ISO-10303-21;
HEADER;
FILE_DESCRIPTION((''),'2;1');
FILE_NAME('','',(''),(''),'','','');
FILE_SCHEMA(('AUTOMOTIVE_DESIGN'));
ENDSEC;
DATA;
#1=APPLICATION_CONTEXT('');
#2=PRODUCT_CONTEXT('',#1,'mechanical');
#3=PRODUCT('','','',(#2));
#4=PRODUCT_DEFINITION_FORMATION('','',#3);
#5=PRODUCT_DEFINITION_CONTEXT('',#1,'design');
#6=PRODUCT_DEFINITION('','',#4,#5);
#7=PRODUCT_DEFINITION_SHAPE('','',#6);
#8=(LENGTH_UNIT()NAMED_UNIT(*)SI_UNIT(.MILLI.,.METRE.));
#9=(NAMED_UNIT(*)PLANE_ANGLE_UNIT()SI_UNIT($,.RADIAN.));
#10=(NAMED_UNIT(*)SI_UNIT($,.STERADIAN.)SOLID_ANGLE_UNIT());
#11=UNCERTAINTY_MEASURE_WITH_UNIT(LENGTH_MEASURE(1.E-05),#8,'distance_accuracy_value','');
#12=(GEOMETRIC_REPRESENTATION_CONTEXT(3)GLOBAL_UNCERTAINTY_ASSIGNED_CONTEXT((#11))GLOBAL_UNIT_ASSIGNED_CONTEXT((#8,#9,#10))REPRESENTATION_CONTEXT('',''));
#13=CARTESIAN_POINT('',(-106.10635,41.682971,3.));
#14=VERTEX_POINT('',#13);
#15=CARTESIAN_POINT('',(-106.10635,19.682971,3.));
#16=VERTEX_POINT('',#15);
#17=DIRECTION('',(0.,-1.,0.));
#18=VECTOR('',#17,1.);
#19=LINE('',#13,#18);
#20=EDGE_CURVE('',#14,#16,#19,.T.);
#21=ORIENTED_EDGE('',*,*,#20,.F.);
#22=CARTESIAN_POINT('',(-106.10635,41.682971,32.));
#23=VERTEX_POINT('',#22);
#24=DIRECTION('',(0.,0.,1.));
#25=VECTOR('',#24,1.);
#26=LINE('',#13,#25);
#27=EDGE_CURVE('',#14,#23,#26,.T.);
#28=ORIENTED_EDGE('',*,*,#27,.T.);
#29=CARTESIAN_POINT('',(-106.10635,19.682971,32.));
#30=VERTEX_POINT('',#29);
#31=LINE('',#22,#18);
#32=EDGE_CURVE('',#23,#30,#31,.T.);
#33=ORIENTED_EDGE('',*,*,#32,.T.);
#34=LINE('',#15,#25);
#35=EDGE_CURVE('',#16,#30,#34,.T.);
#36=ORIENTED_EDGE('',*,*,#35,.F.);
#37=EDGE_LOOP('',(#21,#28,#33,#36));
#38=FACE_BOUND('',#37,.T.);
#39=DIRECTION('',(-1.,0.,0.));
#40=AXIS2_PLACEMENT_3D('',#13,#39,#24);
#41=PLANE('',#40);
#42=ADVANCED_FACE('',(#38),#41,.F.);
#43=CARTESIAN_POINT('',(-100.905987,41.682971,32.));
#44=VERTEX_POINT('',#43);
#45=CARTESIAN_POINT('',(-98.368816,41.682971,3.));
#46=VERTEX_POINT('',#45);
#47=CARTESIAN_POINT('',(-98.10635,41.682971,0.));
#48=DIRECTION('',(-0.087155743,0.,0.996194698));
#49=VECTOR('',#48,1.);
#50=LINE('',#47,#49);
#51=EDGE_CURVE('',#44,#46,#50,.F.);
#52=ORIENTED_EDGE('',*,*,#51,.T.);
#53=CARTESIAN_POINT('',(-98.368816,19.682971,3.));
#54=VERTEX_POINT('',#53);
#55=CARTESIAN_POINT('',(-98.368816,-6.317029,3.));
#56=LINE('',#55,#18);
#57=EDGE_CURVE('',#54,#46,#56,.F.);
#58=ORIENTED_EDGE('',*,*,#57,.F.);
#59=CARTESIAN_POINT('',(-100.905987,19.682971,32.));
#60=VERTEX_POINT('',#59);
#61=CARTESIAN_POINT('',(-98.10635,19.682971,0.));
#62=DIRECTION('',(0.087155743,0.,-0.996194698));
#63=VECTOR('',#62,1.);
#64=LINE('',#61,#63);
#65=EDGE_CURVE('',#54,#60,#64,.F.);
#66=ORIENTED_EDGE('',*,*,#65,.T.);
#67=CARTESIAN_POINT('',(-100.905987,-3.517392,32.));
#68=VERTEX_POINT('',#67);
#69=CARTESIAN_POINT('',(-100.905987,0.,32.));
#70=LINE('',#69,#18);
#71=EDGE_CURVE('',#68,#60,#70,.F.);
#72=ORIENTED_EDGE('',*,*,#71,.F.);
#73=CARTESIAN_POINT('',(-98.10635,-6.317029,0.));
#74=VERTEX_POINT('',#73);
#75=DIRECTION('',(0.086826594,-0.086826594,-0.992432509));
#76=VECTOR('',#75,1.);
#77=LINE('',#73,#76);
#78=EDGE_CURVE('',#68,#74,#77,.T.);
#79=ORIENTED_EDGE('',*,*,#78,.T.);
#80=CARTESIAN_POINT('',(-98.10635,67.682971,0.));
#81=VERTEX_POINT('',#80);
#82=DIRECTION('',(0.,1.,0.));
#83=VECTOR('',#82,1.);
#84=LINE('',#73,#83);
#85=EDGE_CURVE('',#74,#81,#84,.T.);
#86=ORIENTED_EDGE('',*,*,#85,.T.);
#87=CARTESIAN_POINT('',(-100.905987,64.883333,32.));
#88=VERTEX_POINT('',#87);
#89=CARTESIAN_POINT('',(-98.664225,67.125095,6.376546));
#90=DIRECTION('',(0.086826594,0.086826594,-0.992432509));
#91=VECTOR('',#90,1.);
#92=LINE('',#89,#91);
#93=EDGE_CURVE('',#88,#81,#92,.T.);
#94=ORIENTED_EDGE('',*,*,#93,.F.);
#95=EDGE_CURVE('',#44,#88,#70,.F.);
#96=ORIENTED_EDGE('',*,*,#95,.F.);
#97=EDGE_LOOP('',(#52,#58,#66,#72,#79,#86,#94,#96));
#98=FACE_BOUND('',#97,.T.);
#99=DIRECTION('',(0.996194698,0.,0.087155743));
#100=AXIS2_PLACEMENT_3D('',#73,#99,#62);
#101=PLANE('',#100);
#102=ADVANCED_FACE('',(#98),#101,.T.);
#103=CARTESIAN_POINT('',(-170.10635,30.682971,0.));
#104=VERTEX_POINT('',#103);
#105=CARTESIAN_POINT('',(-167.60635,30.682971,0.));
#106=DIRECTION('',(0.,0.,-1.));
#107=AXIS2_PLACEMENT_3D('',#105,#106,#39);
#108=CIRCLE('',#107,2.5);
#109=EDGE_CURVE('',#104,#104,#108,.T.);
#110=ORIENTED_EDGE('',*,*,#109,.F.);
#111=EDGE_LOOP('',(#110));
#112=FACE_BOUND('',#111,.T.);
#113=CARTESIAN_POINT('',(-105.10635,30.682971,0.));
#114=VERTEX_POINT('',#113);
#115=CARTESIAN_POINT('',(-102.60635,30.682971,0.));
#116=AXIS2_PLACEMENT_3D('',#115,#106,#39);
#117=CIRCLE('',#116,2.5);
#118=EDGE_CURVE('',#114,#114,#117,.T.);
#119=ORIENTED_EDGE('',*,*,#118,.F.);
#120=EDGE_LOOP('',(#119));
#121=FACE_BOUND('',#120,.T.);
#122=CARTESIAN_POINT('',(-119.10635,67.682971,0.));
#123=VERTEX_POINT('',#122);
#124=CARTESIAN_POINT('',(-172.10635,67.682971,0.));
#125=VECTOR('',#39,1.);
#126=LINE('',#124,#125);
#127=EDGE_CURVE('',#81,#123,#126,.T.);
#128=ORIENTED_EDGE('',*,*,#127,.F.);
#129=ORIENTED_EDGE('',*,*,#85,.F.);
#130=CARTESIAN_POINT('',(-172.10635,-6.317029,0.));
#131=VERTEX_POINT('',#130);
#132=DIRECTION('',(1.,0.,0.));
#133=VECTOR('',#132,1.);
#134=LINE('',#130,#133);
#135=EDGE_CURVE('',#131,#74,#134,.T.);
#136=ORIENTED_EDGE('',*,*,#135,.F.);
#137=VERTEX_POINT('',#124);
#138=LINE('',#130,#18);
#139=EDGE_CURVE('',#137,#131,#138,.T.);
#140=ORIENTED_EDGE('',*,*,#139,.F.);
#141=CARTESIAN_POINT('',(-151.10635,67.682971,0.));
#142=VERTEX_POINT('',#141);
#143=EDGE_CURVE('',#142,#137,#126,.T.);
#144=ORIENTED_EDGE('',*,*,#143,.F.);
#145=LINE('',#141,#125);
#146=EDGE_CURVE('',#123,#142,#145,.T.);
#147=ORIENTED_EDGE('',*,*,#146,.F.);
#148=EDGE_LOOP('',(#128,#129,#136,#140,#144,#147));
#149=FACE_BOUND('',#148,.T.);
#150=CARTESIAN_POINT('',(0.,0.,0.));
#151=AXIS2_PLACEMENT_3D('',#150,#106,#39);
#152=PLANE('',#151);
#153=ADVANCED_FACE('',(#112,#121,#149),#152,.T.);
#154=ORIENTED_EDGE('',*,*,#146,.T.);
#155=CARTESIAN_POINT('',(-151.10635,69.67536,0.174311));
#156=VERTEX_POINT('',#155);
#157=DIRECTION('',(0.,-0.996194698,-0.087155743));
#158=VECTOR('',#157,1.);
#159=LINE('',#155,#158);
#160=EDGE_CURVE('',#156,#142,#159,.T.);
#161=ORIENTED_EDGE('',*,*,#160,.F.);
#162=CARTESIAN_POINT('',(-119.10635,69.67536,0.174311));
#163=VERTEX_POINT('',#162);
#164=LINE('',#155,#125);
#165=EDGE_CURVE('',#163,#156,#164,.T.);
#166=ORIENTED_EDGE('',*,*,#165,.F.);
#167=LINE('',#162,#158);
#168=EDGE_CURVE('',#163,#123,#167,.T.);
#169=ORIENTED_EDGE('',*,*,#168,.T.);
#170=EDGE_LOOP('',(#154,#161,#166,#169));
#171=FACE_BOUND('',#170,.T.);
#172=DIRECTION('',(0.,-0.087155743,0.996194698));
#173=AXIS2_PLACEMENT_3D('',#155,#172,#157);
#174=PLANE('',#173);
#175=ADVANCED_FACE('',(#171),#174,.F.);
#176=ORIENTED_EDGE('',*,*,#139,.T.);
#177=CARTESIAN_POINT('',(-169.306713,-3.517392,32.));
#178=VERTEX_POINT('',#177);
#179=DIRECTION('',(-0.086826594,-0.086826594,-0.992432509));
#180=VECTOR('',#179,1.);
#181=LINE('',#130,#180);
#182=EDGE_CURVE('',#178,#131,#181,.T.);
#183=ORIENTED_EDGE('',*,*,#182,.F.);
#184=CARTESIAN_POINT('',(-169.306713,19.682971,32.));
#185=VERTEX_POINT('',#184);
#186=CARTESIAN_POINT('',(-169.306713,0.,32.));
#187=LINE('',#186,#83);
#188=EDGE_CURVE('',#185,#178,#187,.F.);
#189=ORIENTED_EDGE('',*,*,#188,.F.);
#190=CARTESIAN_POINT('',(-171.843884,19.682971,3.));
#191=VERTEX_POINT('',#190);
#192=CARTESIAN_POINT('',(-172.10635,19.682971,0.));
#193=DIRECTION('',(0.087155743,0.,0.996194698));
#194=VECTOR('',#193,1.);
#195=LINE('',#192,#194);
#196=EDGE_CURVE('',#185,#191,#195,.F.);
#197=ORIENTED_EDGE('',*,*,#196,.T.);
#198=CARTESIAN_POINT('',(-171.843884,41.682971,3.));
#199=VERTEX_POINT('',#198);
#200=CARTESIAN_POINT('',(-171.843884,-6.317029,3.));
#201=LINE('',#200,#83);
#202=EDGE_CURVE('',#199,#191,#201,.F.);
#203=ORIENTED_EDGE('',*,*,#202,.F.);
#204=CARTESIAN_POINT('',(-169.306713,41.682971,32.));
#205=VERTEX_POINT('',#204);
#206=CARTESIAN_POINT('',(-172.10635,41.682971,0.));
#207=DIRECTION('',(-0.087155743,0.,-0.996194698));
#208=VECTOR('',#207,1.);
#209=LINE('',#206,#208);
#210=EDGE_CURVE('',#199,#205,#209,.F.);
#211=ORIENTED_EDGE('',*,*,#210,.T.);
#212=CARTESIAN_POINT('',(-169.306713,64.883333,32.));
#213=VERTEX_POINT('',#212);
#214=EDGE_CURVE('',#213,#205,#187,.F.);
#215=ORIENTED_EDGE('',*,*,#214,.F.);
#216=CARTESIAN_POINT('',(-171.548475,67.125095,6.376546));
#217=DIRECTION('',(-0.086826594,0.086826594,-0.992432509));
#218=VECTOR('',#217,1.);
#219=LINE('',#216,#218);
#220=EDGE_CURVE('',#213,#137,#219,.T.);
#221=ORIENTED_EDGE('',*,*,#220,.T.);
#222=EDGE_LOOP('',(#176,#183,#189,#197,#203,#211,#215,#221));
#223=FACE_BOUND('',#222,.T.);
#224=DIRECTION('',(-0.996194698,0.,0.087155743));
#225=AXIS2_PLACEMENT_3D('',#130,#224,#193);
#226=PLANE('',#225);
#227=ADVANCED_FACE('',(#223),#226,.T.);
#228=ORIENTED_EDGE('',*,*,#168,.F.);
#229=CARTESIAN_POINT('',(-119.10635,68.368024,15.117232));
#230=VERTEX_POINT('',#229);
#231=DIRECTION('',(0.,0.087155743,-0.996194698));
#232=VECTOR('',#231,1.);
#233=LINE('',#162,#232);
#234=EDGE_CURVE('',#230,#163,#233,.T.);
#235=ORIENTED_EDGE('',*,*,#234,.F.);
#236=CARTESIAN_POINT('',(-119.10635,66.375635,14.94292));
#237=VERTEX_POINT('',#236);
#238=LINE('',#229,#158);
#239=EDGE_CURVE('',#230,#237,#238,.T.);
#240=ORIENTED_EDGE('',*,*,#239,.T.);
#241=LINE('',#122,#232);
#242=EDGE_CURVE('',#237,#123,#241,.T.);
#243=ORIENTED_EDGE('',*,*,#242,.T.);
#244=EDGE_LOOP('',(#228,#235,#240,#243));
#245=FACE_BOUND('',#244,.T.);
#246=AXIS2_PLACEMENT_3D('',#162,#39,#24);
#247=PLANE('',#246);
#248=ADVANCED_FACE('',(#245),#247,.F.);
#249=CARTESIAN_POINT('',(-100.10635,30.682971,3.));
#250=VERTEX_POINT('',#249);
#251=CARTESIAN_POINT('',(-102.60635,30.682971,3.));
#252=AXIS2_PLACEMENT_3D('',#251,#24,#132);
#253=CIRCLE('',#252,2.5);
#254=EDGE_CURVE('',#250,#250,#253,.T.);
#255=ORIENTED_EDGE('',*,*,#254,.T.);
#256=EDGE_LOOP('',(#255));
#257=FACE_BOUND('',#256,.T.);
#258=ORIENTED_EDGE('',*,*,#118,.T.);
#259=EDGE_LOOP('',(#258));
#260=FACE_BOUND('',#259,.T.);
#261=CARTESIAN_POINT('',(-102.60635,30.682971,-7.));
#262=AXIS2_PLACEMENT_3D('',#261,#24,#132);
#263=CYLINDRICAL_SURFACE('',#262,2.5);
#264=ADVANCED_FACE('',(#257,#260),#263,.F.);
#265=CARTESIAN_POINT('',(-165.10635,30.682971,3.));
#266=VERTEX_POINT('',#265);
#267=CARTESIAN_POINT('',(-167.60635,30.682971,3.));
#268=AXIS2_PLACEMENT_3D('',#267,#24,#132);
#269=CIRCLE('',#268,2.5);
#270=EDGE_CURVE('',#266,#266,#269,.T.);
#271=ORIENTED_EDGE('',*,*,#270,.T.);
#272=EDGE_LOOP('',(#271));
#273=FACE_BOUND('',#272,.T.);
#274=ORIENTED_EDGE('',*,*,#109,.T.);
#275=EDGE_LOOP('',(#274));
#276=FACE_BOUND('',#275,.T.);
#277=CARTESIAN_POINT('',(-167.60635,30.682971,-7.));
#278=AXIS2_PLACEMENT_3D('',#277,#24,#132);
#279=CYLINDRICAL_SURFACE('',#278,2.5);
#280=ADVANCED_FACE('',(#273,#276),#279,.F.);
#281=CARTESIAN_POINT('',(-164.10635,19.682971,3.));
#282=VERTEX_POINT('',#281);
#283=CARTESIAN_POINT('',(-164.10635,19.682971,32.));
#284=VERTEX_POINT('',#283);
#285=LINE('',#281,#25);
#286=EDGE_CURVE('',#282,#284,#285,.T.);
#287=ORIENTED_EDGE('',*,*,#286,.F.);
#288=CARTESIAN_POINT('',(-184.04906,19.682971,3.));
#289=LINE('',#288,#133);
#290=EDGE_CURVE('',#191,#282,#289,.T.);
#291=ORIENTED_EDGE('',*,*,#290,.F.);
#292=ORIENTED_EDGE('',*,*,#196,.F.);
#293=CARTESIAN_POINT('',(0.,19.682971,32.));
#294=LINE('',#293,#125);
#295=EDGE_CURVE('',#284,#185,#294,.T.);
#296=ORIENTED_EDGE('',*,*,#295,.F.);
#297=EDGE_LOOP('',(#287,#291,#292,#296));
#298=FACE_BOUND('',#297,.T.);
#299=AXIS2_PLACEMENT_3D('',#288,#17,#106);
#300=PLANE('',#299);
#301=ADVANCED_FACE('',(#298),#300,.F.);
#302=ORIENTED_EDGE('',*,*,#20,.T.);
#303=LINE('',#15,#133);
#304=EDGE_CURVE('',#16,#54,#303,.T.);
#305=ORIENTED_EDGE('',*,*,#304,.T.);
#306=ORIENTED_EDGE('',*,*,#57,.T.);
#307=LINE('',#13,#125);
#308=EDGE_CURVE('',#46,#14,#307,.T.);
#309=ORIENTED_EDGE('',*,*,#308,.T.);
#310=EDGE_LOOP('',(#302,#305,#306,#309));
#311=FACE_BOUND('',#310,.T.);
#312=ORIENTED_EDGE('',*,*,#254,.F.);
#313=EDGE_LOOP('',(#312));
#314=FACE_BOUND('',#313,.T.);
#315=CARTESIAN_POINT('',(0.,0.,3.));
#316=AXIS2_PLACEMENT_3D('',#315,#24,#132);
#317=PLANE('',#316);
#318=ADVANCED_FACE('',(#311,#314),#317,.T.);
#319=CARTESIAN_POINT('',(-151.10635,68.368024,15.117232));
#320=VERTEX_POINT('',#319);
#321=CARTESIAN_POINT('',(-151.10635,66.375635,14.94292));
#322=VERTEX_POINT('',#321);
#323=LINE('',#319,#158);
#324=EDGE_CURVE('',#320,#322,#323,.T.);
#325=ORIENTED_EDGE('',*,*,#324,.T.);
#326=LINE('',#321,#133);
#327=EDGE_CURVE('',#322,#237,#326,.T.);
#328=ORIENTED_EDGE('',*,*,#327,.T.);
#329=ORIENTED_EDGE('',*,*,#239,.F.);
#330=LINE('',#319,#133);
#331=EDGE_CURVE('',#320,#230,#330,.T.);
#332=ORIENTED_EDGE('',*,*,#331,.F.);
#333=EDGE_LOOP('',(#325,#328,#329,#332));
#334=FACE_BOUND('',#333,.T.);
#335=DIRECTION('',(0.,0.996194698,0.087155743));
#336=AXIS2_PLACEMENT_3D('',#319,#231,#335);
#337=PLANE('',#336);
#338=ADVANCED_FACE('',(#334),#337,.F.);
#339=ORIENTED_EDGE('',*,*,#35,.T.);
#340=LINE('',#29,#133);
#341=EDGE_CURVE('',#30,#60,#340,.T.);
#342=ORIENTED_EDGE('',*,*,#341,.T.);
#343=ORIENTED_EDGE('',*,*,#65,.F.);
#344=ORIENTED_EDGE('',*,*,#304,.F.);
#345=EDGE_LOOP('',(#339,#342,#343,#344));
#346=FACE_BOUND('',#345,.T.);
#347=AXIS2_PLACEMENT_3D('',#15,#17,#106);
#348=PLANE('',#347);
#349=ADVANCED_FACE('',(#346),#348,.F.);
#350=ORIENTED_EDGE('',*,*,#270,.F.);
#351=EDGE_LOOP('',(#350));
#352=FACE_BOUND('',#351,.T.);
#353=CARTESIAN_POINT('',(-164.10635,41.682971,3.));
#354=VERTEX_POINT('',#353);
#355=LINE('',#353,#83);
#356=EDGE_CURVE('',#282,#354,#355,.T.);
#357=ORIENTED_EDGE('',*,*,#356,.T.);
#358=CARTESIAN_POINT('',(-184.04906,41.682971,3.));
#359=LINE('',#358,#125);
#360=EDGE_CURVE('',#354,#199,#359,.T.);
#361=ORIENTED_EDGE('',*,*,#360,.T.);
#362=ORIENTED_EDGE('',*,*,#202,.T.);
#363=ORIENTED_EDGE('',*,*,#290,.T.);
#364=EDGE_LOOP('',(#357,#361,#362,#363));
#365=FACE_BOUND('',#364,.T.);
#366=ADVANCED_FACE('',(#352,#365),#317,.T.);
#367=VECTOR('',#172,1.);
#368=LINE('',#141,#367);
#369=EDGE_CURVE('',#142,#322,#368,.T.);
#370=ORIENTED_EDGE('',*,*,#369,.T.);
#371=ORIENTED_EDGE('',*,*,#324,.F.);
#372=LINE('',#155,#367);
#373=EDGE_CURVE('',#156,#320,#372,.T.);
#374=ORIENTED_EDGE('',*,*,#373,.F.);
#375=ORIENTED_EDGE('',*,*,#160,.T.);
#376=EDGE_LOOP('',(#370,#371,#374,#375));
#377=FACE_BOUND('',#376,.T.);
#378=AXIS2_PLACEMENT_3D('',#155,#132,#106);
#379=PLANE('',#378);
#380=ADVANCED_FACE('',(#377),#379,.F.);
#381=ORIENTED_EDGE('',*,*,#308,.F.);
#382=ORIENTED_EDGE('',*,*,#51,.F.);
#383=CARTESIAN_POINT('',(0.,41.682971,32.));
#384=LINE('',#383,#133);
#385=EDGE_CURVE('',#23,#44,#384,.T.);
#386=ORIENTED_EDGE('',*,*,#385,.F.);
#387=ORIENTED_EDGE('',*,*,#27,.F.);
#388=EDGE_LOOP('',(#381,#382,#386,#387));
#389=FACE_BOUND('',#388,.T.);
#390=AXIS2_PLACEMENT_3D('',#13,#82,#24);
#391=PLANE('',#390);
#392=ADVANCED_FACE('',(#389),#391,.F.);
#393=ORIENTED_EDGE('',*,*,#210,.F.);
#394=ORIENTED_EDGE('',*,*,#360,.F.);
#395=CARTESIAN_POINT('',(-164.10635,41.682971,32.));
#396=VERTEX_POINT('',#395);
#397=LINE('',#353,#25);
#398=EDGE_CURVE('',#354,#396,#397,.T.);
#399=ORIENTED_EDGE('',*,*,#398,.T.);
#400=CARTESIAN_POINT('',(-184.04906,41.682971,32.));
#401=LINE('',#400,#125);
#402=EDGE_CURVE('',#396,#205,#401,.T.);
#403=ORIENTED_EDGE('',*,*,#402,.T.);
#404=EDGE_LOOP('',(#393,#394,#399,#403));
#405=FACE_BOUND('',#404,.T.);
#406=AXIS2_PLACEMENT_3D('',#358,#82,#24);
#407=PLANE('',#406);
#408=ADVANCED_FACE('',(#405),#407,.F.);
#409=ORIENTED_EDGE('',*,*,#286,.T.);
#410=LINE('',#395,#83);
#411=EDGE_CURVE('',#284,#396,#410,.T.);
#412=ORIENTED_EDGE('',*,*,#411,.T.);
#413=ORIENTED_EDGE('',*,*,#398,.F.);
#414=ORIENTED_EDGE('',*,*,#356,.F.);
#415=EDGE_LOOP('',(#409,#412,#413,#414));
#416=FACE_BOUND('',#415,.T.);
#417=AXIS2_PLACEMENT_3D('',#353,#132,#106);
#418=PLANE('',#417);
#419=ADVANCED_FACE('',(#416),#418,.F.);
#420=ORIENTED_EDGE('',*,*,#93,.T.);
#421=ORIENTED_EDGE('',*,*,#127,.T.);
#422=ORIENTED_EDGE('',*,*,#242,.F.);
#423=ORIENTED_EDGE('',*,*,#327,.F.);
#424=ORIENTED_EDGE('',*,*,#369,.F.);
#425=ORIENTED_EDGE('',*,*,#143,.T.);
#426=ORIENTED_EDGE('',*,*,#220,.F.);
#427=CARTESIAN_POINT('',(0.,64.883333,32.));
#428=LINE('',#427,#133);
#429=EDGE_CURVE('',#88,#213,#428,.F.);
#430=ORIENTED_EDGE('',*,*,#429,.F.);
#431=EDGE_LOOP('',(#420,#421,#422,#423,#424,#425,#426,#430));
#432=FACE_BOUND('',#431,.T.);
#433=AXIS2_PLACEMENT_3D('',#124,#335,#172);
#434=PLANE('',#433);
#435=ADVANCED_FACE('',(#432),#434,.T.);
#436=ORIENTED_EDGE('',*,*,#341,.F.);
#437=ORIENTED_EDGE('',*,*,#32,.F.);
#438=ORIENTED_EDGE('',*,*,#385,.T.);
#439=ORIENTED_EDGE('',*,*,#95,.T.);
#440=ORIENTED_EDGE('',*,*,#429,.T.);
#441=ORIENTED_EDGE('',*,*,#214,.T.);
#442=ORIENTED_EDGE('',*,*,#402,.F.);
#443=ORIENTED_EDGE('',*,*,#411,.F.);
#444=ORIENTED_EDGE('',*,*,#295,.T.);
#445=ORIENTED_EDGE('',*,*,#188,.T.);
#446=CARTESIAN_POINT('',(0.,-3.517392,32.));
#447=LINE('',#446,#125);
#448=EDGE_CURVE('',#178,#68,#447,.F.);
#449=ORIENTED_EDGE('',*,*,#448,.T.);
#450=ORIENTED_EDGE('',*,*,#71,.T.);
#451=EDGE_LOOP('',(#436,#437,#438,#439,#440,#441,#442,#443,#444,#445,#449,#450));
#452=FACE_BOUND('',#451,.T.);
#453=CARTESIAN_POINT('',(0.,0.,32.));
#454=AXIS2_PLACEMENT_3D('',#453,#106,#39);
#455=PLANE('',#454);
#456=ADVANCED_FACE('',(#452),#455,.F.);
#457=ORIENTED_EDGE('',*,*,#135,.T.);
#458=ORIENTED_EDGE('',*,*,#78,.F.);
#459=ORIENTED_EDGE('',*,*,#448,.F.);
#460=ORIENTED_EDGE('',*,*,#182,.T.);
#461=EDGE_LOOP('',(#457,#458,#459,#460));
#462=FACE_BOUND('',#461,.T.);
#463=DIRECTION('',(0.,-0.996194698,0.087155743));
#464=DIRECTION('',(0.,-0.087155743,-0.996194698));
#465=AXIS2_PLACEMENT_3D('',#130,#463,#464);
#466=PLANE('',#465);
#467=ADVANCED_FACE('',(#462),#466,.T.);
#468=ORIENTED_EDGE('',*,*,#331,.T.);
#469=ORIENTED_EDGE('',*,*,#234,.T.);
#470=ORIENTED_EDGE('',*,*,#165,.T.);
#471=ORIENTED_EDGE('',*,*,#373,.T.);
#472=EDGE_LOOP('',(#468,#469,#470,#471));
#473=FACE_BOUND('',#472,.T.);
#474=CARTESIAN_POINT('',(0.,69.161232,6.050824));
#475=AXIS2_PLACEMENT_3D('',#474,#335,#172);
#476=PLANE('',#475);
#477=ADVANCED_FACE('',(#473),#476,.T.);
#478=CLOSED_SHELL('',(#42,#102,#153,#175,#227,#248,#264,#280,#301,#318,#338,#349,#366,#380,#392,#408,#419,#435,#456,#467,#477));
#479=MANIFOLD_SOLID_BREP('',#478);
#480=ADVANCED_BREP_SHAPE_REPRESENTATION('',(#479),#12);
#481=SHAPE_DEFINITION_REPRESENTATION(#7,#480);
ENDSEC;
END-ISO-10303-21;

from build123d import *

# Parameters (mm, degrees)
ESQUISSE1_W             = 74
ESQUISSE1_H             = 74
BOSS_EXTRU_1_DEPTH      = 32
BOSS_EXTRU_1_TAPER      = 5
ESQUISSE2_W             = 19.942710043
ESQUISSE2_H             = 22
ESQUISSE2_W_2           = 15.933949428
ENL_V_MAT_EXTRU_1_DEPTH = 29
ESQUISSE3_R             = 2.5
ENL_V_MAT_EXTRU_2_DEPTH = 10
ESQUISSE5_W             = 32
ESQUISSE5_H             = 15
BOSS_EXTRU_2_DEPTH      = 2


with BuildPart() as part:
    # Esquisse1 → Boss.-Extru.1 (new body)
    with BuildSketch(Plane.XY):
        with Locations((-135.106350006, 30.682970669)):
            Rectangle(ESQUISSE1_W, ESQUISSE1_H)
    extrude(amount=BOSS_EXTRU_1_DEPTH, taper=BOSS_EXTRU_1_TAPER)

    # Esquisse2 → Enlèv. mat.-Extru.1 (cut)
    with BuildSketch(Plane.XY.offset(32)):
        with Locations((-174.077705028, 30.682970669)):
            Rectangle(ESQUISSE2_W, ESQUISSE2_H)
        with Locations((-98.139375292, 30.682970669)):
            Rectangle(ESQUISSE2_W_2, ESQUISSE2_H)
    extrude(amount=-ENL_V_MAT_EXTRU_1_DEPTH, mode=Mode.SUBTRACT)

    # Esquisse3 → Enlèv. mat.-Extru.2 (cut)
    with BuildSketch(Plane.XY.offset(3)):
        with Locations((-167.606350006, 30.682970669)):
            Circle(ESQUISSE3_R)
        with Locations((-102.606350006, 30.682970669)):
            Circle(ESQUISSE3_R)
    extrude(amount=-ENL_V_MAT_EXTRU_2_DEPTH, mode=Mode.SUBTRACT)

    # Esquisse5 → Boss.-Extru.2 (add)
    with BuildSketch(Plane(origin=(0, 67.168842465, 5.876512258), x_dir=(1, 0, 0), z_dir=(0, 0.9961946980917457, 0.08715574274765837))):
        with Locations((-135.106350006, -1.60104042)):
            Rectangle(ESQUISSE5_W, ESQUISSE5_H)
    extrude(amount=BOSS_EXTRU_2_DEPTH)


solid = part.part
